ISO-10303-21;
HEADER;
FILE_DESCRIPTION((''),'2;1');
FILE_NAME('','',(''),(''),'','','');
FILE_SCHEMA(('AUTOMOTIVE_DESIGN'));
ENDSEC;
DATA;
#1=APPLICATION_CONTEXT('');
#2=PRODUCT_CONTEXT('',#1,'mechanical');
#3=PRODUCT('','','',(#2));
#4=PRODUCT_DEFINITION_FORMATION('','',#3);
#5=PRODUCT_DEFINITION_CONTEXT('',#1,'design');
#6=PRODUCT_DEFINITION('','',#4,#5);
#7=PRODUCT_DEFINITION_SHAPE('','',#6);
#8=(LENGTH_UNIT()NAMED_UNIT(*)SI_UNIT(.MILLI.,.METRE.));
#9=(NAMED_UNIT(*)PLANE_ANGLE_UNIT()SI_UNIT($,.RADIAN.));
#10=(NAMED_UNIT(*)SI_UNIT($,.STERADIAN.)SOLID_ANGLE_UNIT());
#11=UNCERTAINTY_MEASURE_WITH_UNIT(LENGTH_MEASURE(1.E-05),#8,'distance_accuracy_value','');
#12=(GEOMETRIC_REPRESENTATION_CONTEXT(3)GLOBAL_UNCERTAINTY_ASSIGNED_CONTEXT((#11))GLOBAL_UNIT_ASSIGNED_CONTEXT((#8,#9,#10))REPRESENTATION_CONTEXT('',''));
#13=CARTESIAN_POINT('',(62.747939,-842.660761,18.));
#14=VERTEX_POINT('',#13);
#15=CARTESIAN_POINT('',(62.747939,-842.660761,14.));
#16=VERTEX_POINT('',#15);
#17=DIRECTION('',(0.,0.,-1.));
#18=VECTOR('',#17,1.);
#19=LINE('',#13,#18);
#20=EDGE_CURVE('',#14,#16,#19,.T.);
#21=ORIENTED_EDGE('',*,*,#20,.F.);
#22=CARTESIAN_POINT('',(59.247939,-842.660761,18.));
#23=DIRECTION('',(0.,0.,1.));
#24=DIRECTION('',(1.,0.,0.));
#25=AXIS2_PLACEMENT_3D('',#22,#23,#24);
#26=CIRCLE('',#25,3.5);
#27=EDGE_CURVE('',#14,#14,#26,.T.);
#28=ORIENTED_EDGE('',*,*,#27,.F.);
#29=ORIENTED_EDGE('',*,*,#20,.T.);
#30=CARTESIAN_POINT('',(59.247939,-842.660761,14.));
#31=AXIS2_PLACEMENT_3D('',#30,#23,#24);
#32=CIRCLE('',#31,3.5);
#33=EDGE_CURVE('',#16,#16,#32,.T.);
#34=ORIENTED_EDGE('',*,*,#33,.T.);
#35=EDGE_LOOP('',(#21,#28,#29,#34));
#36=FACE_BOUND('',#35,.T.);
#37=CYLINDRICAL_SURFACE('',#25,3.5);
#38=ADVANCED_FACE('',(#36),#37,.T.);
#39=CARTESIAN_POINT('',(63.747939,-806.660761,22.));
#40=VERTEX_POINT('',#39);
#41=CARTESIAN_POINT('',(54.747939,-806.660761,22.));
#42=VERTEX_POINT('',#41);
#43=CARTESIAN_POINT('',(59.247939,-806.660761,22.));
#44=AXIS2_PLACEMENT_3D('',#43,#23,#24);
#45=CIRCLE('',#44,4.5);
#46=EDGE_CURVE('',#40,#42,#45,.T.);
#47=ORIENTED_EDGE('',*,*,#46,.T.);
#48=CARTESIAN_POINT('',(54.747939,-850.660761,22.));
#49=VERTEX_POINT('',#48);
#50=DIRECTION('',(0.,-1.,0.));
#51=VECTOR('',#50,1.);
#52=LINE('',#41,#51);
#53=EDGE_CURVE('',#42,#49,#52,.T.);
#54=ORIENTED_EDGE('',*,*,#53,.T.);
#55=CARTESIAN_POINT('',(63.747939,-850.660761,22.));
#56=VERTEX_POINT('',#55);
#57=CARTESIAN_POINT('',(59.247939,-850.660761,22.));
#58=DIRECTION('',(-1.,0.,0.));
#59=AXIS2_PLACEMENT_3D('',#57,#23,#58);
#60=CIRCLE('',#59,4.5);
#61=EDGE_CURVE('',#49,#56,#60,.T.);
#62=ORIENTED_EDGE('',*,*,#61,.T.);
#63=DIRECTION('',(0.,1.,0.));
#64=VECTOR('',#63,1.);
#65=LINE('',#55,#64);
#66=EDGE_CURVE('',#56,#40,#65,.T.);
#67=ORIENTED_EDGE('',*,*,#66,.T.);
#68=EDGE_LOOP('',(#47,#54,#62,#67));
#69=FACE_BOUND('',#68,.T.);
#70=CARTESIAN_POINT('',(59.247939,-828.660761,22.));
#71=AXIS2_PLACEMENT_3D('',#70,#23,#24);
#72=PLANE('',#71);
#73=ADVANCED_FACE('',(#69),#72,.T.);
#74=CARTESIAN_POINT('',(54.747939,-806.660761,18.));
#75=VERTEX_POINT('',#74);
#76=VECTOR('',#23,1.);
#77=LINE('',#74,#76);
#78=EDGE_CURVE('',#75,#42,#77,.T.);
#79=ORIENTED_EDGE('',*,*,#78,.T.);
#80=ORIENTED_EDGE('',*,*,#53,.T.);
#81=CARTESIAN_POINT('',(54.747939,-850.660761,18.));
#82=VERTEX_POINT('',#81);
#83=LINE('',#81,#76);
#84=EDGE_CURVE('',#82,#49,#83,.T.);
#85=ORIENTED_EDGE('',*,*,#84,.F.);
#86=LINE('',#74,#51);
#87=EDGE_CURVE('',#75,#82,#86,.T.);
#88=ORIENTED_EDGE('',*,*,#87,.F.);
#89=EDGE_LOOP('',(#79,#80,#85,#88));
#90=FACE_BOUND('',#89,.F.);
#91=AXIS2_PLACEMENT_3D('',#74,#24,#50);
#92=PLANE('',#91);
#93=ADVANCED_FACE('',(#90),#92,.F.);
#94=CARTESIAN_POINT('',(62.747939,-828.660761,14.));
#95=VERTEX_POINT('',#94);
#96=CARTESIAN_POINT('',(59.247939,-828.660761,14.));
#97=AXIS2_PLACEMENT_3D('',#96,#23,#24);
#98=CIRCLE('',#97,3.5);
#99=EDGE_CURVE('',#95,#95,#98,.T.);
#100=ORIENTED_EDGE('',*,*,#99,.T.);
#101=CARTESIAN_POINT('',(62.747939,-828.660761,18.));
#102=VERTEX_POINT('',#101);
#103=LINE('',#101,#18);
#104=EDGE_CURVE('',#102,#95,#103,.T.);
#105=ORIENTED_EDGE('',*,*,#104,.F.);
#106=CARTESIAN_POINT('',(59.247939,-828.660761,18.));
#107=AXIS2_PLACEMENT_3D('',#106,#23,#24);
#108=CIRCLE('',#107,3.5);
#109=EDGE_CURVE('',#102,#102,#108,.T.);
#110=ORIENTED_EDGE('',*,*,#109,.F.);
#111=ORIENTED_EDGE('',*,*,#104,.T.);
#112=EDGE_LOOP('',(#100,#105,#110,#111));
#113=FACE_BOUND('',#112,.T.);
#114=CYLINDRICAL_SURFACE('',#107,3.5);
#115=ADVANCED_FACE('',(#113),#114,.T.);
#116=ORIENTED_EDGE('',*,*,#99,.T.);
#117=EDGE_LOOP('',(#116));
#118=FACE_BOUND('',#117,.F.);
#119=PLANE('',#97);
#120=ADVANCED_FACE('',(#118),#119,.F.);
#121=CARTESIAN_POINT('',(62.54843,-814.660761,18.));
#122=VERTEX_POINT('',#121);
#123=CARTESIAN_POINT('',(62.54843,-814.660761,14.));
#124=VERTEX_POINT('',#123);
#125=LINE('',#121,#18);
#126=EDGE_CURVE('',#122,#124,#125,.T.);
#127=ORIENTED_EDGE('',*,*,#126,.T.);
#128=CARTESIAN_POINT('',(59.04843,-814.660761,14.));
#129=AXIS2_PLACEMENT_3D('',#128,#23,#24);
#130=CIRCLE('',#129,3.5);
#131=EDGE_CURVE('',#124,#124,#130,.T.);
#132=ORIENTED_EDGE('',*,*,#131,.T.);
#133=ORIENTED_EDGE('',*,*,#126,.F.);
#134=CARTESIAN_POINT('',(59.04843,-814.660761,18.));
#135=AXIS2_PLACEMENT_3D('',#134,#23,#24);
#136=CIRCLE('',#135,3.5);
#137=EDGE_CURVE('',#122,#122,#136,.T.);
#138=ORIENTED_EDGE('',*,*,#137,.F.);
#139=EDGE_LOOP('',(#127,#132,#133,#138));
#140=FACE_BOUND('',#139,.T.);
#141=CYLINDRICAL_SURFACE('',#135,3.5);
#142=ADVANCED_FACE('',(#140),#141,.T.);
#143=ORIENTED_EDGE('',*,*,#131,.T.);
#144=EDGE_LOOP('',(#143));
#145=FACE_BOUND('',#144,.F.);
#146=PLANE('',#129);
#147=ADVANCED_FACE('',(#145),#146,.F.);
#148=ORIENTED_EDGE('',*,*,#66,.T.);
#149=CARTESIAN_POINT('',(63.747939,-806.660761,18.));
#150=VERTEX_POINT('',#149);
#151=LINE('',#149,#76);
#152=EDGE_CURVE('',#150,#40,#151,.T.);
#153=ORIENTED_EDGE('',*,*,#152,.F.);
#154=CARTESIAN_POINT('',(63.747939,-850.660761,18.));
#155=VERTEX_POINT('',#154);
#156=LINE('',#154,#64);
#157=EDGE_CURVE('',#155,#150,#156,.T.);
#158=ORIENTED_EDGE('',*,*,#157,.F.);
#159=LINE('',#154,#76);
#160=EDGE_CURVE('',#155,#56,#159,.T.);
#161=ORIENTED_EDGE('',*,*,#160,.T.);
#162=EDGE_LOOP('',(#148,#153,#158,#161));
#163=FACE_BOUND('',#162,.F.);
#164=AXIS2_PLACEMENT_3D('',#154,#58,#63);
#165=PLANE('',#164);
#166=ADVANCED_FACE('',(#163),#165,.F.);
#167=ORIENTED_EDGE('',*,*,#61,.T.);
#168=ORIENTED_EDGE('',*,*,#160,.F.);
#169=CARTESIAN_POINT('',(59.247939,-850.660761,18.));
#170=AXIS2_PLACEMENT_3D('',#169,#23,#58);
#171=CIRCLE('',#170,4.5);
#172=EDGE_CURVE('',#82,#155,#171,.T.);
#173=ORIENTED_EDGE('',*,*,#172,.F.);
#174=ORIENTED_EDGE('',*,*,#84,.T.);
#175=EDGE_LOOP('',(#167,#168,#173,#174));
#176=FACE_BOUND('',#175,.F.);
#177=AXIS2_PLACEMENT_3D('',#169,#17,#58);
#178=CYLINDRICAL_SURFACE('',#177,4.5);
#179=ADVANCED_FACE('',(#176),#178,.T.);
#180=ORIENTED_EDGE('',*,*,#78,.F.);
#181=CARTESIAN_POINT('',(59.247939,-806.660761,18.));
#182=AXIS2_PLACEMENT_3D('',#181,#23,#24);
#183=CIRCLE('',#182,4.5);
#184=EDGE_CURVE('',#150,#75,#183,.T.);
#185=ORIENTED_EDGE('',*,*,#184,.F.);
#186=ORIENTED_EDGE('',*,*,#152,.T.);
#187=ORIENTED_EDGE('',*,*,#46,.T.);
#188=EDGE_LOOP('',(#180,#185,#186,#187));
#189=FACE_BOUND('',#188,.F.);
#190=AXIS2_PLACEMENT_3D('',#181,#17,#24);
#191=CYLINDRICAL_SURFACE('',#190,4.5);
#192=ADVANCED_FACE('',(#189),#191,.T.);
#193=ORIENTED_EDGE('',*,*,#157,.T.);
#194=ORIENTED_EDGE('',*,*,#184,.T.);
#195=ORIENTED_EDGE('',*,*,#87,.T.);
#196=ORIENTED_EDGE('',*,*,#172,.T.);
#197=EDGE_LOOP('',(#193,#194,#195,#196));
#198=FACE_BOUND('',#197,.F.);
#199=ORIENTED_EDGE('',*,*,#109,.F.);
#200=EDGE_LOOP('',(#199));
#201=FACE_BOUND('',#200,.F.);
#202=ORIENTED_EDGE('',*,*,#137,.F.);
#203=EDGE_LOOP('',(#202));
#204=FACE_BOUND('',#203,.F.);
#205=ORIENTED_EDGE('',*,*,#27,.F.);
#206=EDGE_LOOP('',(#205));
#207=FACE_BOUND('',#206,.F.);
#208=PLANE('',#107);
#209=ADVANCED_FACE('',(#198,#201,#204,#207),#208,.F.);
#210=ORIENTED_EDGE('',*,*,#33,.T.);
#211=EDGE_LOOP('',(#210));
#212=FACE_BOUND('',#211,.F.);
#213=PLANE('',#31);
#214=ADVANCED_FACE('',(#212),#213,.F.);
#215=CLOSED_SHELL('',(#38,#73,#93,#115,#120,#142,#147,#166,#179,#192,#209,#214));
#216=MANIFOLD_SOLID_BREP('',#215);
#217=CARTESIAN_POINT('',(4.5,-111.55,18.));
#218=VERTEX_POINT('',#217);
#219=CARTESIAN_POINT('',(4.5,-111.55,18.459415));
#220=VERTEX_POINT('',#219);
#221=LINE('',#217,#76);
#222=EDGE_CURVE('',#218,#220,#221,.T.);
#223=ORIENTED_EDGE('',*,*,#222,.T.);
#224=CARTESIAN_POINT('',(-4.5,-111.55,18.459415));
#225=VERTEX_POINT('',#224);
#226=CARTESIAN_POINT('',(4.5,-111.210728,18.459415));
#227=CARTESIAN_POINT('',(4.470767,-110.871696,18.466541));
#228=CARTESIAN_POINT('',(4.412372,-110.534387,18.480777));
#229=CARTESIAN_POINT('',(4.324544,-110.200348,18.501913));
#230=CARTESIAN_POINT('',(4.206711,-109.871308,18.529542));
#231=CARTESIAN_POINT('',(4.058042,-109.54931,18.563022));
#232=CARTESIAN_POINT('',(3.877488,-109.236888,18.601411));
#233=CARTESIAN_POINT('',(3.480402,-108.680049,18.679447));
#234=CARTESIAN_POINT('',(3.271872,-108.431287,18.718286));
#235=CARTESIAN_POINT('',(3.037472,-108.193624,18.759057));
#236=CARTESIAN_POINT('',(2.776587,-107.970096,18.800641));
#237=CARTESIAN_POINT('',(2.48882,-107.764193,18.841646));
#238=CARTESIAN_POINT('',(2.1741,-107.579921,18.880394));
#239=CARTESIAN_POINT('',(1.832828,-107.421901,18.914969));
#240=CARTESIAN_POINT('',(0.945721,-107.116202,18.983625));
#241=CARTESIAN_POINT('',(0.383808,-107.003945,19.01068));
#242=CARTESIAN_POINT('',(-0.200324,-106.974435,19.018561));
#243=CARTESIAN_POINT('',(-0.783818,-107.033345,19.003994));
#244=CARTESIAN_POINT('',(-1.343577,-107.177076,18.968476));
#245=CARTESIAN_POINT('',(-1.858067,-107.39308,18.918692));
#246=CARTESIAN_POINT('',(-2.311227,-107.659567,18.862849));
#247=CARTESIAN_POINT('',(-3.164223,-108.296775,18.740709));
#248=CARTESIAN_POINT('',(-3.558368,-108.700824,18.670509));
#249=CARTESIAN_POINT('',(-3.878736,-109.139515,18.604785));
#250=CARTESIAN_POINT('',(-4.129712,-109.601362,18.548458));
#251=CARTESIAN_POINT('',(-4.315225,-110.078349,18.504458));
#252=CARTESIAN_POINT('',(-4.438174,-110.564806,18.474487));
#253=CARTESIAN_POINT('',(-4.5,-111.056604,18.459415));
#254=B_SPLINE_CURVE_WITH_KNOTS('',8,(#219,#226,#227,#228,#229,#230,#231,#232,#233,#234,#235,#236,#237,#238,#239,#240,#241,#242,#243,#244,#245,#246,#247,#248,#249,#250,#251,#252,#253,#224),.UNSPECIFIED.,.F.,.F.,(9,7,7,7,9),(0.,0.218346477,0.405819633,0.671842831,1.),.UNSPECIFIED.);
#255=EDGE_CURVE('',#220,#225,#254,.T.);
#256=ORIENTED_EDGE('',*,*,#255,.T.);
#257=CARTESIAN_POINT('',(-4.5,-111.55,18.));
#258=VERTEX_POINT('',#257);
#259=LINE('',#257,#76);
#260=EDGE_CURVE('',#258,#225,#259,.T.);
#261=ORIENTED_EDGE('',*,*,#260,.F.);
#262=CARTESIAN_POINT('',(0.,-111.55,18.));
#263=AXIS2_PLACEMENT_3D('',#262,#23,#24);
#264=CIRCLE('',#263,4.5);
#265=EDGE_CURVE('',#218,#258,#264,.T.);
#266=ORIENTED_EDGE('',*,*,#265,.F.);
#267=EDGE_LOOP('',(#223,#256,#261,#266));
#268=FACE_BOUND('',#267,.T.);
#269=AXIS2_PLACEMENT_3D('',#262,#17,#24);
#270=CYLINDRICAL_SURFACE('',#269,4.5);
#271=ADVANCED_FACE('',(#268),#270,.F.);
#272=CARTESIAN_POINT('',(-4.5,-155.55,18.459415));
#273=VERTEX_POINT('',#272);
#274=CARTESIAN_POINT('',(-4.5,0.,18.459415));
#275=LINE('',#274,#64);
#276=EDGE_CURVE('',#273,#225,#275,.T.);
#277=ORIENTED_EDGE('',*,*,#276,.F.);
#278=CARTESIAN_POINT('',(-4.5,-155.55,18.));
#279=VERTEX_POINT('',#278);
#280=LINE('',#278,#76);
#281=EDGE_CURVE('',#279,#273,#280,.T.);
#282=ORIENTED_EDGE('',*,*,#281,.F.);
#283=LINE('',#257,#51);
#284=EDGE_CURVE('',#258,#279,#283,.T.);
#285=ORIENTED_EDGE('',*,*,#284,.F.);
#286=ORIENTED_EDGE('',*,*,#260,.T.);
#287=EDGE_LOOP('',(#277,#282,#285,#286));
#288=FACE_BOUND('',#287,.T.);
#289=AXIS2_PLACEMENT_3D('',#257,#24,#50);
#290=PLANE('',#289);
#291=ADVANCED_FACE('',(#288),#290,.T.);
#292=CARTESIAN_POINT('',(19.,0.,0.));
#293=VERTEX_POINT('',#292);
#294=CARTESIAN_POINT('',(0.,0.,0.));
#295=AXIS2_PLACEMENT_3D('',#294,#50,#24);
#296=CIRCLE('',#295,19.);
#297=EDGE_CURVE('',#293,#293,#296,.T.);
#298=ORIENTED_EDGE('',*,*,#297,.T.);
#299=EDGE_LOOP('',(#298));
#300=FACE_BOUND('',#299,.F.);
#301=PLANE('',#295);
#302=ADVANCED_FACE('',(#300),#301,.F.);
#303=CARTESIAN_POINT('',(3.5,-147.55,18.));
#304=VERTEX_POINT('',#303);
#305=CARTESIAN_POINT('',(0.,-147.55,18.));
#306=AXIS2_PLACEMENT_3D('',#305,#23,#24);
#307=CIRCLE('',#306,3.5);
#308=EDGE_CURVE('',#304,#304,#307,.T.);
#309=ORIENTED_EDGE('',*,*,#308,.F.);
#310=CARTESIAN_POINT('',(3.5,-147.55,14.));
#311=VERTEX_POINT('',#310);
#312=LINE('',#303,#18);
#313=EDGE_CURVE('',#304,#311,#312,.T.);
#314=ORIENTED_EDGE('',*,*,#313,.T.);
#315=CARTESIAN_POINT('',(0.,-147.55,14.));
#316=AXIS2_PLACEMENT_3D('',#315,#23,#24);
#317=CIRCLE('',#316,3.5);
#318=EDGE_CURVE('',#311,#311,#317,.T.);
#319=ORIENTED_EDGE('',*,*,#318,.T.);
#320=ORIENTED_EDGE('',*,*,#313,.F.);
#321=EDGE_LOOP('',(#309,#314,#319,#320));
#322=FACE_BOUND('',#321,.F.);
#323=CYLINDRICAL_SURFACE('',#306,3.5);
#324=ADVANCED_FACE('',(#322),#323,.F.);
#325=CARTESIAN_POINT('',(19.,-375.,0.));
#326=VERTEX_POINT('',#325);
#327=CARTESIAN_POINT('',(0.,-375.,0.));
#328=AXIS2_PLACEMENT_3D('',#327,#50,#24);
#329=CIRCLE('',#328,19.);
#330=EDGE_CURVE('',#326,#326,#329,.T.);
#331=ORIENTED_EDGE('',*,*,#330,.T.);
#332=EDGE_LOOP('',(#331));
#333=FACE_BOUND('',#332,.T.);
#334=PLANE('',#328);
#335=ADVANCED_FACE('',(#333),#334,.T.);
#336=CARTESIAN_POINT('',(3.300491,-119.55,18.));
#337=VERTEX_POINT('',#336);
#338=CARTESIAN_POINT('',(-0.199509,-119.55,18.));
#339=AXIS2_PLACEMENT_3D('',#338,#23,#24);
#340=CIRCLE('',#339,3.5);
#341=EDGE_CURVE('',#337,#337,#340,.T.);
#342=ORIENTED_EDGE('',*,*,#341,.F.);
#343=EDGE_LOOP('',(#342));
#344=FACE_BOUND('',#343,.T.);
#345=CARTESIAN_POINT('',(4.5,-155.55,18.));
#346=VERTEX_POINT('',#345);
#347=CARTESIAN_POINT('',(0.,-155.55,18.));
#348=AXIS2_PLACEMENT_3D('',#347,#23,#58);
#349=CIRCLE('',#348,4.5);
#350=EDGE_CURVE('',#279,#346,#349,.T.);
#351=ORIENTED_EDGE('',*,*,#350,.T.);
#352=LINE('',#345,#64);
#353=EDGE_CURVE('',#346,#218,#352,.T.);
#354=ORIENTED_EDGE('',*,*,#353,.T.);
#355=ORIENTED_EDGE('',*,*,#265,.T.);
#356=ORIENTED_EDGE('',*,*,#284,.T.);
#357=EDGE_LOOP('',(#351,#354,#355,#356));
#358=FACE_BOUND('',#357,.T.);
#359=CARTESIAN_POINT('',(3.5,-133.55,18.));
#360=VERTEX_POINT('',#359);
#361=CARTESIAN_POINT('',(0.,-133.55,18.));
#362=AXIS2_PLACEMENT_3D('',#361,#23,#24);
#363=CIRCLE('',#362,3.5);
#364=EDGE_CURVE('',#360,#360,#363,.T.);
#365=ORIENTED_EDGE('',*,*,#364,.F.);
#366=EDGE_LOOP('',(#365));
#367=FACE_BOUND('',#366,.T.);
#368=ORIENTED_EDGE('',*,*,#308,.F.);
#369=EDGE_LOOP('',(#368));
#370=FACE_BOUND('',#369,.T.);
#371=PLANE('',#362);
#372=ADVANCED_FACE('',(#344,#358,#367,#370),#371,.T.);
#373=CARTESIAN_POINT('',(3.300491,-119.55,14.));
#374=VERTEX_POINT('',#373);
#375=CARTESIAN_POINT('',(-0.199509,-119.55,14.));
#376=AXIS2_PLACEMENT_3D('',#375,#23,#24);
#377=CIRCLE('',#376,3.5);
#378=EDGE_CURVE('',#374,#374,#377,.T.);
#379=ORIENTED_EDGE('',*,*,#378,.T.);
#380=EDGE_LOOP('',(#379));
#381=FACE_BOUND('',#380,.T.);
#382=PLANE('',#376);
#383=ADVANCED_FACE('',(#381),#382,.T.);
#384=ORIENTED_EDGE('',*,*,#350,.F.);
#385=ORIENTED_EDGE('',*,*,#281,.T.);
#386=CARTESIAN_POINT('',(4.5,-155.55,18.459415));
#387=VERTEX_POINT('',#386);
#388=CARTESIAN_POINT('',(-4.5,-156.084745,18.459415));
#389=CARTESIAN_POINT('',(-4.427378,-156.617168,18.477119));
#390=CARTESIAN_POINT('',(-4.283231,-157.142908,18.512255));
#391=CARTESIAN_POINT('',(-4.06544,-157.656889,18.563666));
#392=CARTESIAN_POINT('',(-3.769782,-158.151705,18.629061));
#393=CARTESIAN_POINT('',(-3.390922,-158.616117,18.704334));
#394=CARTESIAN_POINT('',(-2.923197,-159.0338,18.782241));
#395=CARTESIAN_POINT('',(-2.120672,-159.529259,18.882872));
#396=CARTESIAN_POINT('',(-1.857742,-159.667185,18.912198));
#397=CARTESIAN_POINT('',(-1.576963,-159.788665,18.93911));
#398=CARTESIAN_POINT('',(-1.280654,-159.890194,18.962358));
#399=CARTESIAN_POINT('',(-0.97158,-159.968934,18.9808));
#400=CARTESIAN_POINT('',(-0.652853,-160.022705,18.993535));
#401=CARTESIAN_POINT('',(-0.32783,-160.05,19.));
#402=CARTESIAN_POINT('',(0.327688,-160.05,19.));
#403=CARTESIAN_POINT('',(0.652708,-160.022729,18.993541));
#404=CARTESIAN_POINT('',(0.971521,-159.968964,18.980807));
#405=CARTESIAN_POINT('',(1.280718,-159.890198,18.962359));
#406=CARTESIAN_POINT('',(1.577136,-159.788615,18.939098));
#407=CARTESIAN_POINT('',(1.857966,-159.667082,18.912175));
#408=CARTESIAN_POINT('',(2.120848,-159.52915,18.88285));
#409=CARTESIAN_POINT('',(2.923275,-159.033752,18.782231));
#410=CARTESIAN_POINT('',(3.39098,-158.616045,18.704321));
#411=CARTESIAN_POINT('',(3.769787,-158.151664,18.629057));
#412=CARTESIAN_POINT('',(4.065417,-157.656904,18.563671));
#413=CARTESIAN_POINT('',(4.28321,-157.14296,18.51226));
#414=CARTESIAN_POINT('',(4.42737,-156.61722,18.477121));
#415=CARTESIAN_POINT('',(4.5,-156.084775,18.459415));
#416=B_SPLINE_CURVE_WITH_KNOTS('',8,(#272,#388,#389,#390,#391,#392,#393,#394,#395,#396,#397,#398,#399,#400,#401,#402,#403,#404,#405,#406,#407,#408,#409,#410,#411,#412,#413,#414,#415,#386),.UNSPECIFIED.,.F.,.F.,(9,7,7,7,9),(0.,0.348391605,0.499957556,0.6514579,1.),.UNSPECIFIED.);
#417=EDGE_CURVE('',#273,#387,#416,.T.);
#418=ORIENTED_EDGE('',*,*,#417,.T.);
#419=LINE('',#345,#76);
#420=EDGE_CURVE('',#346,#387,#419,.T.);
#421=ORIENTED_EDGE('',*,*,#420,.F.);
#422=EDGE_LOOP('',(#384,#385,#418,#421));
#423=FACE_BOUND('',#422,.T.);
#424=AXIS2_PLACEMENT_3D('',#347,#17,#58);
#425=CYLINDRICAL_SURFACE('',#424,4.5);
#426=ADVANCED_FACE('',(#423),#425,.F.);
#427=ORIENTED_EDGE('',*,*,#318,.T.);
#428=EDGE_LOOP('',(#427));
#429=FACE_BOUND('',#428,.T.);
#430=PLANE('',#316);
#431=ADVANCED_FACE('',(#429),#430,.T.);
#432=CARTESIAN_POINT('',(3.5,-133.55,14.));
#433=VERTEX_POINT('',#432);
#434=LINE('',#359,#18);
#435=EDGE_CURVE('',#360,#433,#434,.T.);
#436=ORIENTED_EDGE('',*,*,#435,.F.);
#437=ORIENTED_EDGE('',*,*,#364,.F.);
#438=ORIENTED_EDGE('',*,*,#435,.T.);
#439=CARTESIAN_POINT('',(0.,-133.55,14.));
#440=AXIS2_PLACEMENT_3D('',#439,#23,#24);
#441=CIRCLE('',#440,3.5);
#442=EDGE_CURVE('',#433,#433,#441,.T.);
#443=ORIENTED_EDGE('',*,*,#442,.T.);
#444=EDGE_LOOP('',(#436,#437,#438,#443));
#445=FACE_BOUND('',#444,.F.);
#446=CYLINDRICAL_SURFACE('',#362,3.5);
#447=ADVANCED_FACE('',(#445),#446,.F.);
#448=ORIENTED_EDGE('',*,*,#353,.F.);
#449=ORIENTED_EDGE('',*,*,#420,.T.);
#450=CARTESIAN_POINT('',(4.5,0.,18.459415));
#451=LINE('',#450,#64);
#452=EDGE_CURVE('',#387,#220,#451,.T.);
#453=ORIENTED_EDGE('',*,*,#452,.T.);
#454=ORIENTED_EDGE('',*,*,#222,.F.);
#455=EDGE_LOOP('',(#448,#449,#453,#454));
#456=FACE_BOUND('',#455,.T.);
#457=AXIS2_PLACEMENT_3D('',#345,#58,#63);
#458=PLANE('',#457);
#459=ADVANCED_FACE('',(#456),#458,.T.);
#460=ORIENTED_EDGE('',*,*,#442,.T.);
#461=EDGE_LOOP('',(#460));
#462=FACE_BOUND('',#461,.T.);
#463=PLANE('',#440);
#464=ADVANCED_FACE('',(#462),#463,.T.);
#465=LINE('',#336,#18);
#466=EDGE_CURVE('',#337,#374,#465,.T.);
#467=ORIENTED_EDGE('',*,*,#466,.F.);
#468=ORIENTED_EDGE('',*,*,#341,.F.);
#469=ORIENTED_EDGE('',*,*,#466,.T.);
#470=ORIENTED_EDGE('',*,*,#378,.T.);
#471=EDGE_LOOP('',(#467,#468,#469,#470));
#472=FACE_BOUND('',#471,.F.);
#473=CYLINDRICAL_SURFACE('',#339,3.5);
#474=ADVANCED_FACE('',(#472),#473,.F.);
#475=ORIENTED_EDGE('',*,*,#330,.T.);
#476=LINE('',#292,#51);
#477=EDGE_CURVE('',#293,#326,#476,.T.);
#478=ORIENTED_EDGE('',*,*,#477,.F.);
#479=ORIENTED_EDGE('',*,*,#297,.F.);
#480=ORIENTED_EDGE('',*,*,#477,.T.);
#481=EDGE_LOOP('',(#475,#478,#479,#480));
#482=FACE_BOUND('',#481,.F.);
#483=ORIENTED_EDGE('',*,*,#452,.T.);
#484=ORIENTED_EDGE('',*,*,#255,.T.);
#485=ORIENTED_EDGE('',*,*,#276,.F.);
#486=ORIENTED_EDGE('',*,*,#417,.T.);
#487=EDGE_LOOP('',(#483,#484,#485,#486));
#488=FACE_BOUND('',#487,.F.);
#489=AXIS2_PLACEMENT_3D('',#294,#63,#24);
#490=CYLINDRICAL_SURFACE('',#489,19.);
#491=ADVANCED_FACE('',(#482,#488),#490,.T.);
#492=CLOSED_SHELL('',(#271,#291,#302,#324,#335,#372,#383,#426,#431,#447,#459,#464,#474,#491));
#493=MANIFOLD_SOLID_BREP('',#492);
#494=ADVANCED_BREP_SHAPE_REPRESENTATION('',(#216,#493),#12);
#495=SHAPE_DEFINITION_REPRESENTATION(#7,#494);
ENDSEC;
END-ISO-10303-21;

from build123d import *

# Parameters (mm, degrees)
F0_R      = 19
F1_DEPTH  = 375
F4_DEPTH  = 5
F5_R      = 3.5
F6_DEPTH  = 4
F8_DEPTH  = 4
F9_R      = 3.5
F10_DEPTH = 4


with BuildPart() as f1:
    # F0 (on Front) → F1 (new body)
    with BuildSketch(Plane.XZ):
        Circle(F0_R)
    extrude(amount=F1_DEPTH)

    # F3 (on offset) → F4 (cut)
    with BuildSketch(Plane.XY.offset(18)):
        with BuildLine():
            Line((4.5, -155.55), (4.5, -111.55))
            ThreePointArc((4.5, -111.55), (0, -107.05), (-4.5, -111.55))
            Line((-4.5, -111.55), (-4.5, -155.55))
            ThreePointArc((-4.5, -155.55), (0, -160.05), (4.5, -155.55))
        make_face()
    extrude(amount=F4_DEPTH, mode=Mode.SUBTRACT)

    # F5 (on face) → F6 (cut)
    with BuildSketch(Plane.XY.offset(18)):
        with Locations((0, -147.55)):
            Circle(F5_R)
        with Locations((0, -133.55)):
            Circle(F5_R)
        with Locations((-0.199509, -119.55)):
            Circle(F5_R)
    extrude(amount=-F6_DEPTH, mode=Mode.SUBTRACT)


with BuildPart() as f8:
    # F7 (on offset) → F8 (new body)
    with BuildSketch(Plane.XY.offset(18)):
        with BuildLine():
            Line((63.747939, -850.660761), (63.747939, -806.660761))
            ThreePointArc((63.747939, -806.660761), (59.247939, -802.160761), (54.747939, -806.660761))
            Line((54.747939, -806.660761), (54.747939, -850.660761))
            ThreePointArc((54.747939, -850.660761), (59.247939, -855.160761), (63.747939, -850.660761))
        make_face()
    extrude(amount=F8_DEPTH)

    # F9 (on face) → F10 (join)
    with BuildSketch(Plane.XY.offset(18)):
        with Locations((59.247939, -842.660761)):
            Circle(F9_R)
        with Locations((59.247939, -828.660761)):
            Circle(F9_R)
        with Locations((59.04843, -814.660761)):
            Circle(F9_R)
    extrude(amount=-F10_DEPTH)


solid = Compound([f1.part, f8.part])
